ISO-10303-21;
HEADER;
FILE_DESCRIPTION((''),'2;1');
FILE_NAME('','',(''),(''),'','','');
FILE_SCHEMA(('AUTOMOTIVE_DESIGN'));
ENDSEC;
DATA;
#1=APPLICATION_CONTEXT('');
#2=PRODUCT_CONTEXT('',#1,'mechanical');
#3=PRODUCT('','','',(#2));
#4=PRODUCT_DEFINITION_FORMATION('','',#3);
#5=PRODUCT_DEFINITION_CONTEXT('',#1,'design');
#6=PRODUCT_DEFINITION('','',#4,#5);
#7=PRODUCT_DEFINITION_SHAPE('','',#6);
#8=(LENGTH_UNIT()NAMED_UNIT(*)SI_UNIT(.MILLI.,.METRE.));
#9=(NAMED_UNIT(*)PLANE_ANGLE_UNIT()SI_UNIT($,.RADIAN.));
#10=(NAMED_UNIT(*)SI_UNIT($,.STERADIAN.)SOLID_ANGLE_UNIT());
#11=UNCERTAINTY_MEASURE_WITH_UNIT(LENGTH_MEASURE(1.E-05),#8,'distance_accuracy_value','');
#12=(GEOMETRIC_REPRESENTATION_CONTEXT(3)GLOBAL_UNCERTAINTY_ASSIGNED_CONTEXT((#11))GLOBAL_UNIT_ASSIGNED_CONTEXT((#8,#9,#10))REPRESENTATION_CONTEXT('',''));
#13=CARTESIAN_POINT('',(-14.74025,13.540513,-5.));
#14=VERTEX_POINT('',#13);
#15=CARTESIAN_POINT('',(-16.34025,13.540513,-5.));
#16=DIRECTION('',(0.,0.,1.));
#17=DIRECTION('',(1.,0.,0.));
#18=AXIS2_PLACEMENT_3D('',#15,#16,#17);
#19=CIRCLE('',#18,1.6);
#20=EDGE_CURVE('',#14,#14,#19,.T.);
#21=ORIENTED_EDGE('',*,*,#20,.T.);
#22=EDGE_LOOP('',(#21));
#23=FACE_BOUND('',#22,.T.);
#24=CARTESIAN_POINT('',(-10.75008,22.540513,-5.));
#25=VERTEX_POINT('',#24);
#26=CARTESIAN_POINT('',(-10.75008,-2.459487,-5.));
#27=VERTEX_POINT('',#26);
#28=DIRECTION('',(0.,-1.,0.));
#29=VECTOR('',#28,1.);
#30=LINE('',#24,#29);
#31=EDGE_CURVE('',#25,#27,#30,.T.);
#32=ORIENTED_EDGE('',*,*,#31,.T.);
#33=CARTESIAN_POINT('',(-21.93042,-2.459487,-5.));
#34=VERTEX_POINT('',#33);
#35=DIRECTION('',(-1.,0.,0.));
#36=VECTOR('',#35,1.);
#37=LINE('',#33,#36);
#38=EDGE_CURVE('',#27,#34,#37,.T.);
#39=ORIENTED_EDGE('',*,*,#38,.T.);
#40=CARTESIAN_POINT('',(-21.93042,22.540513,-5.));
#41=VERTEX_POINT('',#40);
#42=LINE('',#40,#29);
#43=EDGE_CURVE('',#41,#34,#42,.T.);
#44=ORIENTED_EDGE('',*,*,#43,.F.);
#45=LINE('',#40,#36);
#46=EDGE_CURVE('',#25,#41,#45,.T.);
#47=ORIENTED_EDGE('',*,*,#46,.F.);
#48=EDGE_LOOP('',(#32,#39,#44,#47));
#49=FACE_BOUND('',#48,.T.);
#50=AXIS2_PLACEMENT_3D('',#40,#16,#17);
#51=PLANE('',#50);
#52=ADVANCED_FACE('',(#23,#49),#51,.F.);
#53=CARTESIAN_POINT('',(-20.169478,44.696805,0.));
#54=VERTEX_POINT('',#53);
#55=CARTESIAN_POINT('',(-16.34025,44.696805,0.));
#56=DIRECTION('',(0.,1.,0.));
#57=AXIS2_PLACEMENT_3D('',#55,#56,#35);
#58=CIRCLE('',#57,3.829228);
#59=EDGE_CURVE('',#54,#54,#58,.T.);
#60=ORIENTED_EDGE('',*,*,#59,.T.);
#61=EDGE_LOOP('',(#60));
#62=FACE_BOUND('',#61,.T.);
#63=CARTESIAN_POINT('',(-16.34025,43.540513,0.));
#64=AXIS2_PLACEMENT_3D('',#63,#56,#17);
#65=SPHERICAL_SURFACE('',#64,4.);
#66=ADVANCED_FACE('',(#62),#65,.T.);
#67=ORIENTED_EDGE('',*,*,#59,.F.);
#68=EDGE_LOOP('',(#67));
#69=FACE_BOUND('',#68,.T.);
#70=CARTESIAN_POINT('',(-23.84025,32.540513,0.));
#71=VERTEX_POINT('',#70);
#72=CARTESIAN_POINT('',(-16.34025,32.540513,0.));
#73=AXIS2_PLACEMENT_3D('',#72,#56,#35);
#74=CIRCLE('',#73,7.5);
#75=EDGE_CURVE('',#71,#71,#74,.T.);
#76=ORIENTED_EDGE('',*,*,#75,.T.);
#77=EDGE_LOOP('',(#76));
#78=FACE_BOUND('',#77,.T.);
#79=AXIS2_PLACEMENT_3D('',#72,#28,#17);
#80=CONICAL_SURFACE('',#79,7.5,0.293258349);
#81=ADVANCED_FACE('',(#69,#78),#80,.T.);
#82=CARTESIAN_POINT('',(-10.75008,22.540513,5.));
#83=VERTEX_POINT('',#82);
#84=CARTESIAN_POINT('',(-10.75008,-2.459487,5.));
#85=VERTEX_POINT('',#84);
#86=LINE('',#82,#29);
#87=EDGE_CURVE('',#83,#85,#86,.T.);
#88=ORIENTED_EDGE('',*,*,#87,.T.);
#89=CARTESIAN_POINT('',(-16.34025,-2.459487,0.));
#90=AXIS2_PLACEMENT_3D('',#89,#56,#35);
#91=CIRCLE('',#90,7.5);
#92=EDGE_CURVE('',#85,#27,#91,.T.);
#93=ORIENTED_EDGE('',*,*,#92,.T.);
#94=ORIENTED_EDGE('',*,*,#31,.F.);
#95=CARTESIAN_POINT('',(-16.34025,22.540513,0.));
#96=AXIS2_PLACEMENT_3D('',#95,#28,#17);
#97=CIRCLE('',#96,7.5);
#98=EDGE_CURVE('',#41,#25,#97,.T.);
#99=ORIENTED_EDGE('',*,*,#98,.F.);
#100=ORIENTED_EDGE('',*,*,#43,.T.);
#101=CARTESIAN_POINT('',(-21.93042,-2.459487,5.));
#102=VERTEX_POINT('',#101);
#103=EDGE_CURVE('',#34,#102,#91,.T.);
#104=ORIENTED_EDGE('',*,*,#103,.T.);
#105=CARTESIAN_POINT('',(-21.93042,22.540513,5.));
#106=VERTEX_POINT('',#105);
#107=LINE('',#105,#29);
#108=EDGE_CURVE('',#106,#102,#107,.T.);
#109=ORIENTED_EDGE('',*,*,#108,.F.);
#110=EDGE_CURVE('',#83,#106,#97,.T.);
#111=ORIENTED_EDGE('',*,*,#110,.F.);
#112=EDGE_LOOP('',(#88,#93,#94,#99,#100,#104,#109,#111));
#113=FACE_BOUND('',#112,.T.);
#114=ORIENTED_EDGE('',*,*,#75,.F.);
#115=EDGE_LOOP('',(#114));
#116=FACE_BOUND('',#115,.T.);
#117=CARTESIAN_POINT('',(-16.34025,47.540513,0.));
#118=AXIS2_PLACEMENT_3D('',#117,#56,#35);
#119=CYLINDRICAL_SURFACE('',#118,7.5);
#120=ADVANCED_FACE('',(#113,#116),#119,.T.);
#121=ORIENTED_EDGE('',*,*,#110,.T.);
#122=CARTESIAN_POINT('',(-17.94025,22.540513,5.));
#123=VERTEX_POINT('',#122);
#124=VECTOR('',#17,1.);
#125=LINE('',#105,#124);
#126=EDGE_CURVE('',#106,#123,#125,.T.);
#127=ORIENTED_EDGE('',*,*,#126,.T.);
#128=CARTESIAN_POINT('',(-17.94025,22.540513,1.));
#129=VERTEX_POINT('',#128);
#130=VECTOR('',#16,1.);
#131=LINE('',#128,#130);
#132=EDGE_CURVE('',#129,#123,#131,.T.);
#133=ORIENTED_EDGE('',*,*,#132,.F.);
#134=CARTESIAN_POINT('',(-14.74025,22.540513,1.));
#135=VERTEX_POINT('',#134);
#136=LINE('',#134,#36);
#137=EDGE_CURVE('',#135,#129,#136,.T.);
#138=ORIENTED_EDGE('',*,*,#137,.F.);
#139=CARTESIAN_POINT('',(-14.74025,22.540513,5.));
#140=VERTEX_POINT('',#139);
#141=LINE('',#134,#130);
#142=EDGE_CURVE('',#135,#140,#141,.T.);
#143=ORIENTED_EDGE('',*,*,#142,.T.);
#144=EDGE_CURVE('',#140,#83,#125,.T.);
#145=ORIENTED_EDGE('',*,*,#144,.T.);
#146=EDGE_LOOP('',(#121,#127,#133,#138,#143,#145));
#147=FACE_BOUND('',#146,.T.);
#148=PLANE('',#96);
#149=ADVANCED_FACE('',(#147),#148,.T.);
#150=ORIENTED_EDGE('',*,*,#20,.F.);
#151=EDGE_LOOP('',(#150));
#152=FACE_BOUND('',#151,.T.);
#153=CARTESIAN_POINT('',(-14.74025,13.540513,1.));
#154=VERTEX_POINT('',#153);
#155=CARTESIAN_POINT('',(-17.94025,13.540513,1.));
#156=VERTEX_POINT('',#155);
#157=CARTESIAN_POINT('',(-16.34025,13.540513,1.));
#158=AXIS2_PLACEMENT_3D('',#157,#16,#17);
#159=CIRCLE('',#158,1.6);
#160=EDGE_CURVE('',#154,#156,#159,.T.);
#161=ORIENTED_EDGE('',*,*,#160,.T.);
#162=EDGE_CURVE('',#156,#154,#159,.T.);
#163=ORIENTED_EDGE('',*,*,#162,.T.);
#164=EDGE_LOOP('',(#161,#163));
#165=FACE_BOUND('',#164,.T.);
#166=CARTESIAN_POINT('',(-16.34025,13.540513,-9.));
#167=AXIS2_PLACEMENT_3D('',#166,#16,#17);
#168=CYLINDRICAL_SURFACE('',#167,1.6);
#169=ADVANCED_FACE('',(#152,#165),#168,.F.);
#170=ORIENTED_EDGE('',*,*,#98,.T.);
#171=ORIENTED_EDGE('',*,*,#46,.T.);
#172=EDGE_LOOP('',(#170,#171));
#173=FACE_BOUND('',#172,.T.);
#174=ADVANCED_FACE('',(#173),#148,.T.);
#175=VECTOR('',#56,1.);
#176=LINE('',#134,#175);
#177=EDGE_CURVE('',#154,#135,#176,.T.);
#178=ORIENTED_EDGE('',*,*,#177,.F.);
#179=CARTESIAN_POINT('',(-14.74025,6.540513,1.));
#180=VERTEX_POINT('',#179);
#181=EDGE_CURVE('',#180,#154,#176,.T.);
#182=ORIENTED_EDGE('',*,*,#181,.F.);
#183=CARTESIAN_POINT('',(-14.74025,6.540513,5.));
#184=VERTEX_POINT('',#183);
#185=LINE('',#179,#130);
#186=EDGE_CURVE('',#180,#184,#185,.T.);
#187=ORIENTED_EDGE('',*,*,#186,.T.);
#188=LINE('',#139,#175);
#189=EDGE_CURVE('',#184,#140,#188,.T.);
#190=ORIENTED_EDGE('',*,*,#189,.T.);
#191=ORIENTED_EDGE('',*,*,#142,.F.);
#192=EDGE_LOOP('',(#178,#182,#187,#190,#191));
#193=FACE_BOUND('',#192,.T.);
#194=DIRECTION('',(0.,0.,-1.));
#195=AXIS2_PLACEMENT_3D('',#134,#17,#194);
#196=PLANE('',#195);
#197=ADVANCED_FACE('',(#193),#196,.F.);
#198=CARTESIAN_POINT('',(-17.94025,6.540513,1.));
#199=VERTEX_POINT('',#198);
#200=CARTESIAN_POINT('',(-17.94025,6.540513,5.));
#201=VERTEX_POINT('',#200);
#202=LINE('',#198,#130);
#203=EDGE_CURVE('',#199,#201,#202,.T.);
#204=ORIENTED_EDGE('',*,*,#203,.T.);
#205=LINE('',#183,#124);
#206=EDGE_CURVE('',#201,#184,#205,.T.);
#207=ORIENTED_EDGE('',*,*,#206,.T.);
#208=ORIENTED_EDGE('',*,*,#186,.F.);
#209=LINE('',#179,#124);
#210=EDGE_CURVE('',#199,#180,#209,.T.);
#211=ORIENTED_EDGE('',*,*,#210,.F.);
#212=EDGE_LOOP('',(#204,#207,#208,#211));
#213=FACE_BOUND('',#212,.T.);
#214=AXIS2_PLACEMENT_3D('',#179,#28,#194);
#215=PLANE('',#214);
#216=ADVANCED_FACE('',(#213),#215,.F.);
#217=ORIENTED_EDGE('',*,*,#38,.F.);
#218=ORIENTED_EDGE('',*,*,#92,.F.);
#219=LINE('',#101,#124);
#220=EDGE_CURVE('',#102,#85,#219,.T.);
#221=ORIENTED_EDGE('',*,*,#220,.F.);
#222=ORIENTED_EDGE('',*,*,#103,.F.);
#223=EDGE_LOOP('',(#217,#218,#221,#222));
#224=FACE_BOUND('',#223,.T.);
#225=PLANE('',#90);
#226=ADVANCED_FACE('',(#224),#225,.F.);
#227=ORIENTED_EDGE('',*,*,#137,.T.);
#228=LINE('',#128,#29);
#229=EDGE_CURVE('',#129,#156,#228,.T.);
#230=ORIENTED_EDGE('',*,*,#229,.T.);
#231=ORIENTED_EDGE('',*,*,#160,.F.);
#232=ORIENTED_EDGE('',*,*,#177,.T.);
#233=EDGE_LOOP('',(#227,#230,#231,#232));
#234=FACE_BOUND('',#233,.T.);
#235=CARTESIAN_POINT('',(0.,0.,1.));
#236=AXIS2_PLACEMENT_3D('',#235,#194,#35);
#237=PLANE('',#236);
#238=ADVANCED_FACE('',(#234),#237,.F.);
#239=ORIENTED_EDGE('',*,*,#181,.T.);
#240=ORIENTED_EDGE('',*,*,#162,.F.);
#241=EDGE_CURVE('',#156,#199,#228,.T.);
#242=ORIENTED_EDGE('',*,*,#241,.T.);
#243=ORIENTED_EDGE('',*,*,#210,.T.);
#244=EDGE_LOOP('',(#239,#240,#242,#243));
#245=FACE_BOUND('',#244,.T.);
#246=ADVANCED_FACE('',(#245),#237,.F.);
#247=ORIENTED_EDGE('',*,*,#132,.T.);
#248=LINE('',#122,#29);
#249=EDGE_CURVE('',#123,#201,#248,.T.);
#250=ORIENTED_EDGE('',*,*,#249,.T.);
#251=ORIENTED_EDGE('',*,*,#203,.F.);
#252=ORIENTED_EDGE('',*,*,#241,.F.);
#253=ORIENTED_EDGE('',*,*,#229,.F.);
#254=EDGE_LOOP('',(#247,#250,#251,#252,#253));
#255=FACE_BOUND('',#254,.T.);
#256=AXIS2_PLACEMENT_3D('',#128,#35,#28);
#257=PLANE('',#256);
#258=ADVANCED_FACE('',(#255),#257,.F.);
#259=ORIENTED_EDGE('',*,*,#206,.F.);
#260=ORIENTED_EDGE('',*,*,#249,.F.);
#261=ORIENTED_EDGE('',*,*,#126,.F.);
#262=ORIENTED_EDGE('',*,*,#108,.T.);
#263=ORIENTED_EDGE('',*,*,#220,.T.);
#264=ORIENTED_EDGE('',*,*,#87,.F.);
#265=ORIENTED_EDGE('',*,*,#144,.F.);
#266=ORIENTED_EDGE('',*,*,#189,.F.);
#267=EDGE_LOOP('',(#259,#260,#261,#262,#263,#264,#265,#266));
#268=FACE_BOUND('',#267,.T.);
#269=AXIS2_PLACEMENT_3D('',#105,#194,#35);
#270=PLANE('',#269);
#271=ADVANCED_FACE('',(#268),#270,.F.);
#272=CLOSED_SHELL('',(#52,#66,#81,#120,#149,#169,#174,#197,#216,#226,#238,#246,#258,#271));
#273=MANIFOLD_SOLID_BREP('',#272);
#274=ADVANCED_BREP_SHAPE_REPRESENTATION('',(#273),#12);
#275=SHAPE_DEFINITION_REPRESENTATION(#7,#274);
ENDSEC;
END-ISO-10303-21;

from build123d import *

# Parameters (mm, degrees)
CUT_EXTRUDE_START   = -25
CUT_EXTRUDE_1_DEPTH = 25
SKETCH_3_W          = 3.2
SKETCH_3_H          = 16
CUT_EXTRUDE_2_DEPTH = 4
SKETCH_4_R          = 1.6
CUT_EXTRUDE_3_DEPTH = 10


with BuildPart() as part:
    # 草图1 → 旋转1 (revolve)
    with BuildSketch(Plane.XY, mode=Mode.PRIVATE) as revolve_1_sk:
        with BuildLine():
            Line((-16.340250108, 47.540513379), (-16.340250108, -2.459486621))
            Line((-16.340250108, -2.459486621), (-8.840250108, -2.459486621))
            Line((-8.840250108, -2.459486621), (-8.840250108, 32.540513379))
            Line((-8.840250108, 32.540513379), (-12.511021874, 44.696805356))
            ThreePointArc((-12.511021874, 44.696805356), (-13.955419706, 46.751834595), (-16.340250108, 47.540513379))
        make_face()
    revolve(revolve_1_sk.sketch.rotate(Axis((-16.340250108, 47.540513379, 0), (0, -1, 0)), 180), axis=Axis((-16.340250108, 47.540513379, 0), (0, -1, 0)))

    # 草图2 → 切除-拉伸1 (cut)
    with BuildSketch(Plane.XZ.offset(2.459486621).offset(CUT_EXTRUDE_START)):
        with BuildLine():
            Line((-21.930420052, 5), (-10.750080164, 5))
            ThreePointArc((-10.750080164, 5), (-16.340250108, 7.5), (-21.930420052, 5))
        make_face()
        with BuildLine():
            Line((-21.930420052, -5), (-10.750080164, -5))
            ThreePointArc((-10.750080164, -5), (-16.340250108, -7.5), (-21.930420052, -5))
        make_face()
    extrude(amount=CUT_EXTRUDE_1_DEPTH, mode=Mode.SUBTRACT)

    # 草图3 → 切除-拉伸2 (cut)
    with BuildSketch(Plane.XY.offset(5)):
        with Locations((-16.340250108, 14.540513379)):
            Rectangle(SKETCH_3_W, SKETCH_3_H)
    extrude(amount=-CUT_EXTRUDE_2_DEPTH, mode=Mode.SUBTRACT)

    # 草图4 → 切除-拉伸3 (cut)
    with BuildSketch(Plane.XY.offset(1)):
        with Locations((-16.340250108, 13.540513379)):
            Circle(SKETCH_4_R)
    extrude(amount=-CUT_EXTRUDE_3_DEPTH, mode=Mode.SUBTRACT)


solid = part.part
